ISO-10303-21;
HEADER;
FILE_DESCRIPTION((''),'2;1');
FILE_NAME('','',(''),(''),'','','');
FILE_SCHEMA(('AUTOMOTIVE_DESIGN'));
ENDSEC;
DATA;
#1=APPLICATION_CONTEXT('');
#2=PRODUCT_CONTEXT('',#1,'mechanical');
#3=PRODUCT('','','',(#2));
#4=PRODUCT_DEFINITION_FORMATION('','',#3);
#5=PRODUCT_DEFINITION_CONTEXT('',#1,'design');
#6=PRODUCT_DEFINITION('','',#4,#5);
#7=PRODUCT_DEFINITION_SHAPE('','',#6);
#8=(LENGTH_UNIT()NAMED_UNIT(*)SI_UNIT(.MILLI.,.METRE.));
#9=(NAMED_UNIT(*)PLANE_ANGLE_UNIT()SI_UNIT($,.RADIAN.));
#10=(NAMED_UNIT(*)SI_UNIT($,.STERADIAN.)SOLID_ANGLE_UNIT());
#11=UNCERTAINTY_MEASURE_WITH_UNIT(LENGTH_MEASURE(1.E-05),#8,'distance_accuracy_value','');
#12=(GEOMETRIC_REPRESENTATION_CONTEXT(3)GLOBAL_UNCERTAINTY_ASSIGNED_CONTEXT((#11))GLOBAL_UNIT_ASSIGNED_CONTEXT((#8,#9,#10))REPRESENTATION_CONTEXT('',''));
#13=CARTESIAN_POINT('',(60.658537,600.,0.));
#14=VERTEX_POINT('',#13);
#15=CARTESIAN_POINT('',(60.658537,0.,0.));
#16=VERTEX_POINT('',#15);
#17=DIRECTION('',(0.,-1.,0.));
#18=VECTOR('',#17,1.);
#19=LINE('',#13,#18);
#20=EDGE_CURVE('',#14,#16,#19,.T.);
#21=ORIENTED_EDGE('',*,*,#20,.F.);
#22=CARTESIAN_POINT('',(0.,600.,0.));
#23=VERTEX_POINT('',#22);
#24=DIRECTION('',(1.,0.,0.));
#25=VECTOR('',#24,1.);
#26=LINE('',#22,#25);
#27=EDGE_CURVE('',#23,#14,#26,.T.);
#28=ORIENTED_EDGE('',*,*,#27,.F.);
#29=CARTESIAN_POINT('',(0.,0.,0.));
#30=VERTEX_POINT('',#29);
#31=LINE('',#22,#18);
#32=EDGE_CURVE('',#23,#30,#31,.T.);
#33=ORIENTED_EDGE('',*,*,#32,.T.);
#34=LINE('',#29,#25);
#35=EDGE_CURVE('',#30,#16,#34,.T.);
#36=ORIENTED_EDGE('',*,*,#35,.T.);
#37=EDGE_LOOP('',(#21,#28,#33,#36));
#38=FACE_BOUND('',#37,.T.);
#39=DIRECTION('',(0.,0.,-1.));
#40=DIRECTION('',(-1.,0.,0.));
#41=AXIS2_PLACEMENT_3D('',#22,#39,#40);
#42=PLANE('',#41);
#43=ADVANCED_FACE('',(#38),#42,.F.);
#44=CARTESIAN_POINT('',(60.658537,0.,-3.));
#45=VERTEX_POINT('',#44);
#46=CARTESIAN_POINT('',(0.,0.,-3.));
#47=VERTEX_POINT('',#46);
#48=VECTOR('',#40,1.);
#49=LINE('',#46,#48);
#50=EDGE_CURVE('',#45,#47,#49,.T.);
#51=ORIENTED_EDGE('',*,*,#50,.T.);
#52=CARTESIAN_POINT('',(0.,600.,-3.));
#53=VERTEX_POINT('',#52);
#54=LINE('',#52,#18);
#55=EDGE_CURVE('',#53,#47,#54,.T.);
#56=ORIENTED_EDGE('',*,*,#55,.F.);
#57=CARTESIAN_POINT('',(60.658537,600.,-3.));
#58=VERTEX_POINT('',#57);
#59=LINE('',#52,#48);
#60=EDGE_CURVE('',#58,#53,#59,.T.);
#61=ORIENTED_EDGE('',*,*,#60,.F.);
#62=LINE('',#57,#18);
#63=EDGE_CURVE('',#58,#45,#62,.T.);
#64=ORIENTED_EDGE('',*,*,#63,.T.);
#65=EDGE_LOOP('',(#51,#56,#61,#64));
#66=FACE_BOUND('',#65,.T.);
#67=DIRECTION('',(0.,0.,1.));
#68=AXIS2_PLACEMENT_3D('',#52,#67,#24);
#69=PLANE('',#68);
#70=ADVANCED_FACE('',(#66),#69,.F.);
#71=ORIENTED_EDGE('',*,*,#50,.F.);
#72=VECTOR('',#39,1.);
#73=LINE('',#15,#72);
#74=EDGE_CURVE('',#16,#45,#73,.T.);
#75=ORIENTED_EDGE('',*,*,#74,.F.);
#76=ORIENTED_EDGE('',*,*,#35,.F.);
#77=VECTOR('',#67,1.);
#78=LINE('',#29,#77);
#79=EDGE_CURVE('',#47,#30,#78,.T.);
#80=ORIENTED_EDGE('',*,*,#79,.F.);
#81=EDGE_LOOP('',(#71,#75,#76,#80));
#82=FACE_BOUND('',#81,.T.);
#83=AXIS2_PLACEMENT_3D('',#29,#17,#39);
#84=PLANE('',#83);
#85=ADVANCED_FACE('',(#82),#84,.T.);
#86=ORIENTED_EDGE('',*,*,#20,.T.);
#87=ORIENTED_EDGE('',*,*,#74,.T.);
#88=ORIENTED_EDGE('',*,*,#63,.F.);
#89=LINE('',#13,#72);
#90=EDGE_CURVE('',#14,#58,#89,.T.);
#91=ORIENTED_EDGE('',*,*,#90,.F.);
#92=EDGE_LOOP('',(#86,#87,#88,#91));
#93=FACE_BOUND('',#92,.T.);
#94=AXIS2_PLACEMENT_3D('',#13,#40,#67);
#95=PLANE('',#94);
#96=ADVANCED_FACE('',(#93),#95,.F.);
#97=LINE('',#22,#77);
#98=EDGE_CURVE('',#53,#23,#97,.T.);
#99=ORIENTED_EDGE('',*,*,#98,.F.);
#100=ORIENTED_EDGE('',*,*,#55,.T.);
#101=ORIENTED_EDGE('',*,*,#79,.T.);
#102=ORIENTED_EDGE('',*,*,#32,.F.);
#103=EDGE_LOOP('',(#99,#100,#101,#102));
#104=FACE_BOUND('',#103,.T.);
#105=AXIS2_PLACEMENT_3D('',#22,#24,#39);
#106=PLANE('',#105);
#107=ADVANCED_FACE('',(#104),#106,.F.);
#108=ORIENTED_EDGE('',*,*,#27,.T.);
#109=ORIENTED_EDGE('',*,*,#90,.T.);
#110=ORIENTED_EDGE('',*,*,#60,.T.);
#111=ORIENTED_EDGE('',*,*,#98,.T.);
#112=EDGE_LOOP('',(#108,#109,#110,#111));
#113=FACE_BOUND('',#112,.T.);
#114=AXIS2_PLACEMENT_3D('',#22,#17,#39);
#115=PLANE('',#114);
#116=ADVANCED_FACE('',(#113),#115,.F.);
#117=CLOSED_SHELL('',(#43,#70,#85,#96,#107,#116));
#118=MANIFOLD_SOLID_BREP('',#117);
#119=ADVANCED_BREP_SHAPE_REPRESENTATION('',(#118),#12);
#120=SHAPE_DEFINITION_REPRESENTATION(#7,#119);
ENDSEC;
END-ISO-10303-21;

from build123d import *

# Parameters (mm, degrees)
SKETCH_1_W      = 60.658536585
SKETCH_1_H      = 3
EXTRUDE_1_DEPTH = 600


with BuildPart() as part:
    # 스케치1 → 보스-돌출1 (new body)
    with BuildSketch(Plane(origin=(0, 0, 0), x_dir=(1, 0, 0), z_dir=(0, 1, 0))):
        with Locations((30.329268293, 1.5)):
            Rectangle(SKETCH_1_W, SKETCH_1_H)
    extrude(amount=EXTRUDE_1_DEPTH)


solid = part.part
